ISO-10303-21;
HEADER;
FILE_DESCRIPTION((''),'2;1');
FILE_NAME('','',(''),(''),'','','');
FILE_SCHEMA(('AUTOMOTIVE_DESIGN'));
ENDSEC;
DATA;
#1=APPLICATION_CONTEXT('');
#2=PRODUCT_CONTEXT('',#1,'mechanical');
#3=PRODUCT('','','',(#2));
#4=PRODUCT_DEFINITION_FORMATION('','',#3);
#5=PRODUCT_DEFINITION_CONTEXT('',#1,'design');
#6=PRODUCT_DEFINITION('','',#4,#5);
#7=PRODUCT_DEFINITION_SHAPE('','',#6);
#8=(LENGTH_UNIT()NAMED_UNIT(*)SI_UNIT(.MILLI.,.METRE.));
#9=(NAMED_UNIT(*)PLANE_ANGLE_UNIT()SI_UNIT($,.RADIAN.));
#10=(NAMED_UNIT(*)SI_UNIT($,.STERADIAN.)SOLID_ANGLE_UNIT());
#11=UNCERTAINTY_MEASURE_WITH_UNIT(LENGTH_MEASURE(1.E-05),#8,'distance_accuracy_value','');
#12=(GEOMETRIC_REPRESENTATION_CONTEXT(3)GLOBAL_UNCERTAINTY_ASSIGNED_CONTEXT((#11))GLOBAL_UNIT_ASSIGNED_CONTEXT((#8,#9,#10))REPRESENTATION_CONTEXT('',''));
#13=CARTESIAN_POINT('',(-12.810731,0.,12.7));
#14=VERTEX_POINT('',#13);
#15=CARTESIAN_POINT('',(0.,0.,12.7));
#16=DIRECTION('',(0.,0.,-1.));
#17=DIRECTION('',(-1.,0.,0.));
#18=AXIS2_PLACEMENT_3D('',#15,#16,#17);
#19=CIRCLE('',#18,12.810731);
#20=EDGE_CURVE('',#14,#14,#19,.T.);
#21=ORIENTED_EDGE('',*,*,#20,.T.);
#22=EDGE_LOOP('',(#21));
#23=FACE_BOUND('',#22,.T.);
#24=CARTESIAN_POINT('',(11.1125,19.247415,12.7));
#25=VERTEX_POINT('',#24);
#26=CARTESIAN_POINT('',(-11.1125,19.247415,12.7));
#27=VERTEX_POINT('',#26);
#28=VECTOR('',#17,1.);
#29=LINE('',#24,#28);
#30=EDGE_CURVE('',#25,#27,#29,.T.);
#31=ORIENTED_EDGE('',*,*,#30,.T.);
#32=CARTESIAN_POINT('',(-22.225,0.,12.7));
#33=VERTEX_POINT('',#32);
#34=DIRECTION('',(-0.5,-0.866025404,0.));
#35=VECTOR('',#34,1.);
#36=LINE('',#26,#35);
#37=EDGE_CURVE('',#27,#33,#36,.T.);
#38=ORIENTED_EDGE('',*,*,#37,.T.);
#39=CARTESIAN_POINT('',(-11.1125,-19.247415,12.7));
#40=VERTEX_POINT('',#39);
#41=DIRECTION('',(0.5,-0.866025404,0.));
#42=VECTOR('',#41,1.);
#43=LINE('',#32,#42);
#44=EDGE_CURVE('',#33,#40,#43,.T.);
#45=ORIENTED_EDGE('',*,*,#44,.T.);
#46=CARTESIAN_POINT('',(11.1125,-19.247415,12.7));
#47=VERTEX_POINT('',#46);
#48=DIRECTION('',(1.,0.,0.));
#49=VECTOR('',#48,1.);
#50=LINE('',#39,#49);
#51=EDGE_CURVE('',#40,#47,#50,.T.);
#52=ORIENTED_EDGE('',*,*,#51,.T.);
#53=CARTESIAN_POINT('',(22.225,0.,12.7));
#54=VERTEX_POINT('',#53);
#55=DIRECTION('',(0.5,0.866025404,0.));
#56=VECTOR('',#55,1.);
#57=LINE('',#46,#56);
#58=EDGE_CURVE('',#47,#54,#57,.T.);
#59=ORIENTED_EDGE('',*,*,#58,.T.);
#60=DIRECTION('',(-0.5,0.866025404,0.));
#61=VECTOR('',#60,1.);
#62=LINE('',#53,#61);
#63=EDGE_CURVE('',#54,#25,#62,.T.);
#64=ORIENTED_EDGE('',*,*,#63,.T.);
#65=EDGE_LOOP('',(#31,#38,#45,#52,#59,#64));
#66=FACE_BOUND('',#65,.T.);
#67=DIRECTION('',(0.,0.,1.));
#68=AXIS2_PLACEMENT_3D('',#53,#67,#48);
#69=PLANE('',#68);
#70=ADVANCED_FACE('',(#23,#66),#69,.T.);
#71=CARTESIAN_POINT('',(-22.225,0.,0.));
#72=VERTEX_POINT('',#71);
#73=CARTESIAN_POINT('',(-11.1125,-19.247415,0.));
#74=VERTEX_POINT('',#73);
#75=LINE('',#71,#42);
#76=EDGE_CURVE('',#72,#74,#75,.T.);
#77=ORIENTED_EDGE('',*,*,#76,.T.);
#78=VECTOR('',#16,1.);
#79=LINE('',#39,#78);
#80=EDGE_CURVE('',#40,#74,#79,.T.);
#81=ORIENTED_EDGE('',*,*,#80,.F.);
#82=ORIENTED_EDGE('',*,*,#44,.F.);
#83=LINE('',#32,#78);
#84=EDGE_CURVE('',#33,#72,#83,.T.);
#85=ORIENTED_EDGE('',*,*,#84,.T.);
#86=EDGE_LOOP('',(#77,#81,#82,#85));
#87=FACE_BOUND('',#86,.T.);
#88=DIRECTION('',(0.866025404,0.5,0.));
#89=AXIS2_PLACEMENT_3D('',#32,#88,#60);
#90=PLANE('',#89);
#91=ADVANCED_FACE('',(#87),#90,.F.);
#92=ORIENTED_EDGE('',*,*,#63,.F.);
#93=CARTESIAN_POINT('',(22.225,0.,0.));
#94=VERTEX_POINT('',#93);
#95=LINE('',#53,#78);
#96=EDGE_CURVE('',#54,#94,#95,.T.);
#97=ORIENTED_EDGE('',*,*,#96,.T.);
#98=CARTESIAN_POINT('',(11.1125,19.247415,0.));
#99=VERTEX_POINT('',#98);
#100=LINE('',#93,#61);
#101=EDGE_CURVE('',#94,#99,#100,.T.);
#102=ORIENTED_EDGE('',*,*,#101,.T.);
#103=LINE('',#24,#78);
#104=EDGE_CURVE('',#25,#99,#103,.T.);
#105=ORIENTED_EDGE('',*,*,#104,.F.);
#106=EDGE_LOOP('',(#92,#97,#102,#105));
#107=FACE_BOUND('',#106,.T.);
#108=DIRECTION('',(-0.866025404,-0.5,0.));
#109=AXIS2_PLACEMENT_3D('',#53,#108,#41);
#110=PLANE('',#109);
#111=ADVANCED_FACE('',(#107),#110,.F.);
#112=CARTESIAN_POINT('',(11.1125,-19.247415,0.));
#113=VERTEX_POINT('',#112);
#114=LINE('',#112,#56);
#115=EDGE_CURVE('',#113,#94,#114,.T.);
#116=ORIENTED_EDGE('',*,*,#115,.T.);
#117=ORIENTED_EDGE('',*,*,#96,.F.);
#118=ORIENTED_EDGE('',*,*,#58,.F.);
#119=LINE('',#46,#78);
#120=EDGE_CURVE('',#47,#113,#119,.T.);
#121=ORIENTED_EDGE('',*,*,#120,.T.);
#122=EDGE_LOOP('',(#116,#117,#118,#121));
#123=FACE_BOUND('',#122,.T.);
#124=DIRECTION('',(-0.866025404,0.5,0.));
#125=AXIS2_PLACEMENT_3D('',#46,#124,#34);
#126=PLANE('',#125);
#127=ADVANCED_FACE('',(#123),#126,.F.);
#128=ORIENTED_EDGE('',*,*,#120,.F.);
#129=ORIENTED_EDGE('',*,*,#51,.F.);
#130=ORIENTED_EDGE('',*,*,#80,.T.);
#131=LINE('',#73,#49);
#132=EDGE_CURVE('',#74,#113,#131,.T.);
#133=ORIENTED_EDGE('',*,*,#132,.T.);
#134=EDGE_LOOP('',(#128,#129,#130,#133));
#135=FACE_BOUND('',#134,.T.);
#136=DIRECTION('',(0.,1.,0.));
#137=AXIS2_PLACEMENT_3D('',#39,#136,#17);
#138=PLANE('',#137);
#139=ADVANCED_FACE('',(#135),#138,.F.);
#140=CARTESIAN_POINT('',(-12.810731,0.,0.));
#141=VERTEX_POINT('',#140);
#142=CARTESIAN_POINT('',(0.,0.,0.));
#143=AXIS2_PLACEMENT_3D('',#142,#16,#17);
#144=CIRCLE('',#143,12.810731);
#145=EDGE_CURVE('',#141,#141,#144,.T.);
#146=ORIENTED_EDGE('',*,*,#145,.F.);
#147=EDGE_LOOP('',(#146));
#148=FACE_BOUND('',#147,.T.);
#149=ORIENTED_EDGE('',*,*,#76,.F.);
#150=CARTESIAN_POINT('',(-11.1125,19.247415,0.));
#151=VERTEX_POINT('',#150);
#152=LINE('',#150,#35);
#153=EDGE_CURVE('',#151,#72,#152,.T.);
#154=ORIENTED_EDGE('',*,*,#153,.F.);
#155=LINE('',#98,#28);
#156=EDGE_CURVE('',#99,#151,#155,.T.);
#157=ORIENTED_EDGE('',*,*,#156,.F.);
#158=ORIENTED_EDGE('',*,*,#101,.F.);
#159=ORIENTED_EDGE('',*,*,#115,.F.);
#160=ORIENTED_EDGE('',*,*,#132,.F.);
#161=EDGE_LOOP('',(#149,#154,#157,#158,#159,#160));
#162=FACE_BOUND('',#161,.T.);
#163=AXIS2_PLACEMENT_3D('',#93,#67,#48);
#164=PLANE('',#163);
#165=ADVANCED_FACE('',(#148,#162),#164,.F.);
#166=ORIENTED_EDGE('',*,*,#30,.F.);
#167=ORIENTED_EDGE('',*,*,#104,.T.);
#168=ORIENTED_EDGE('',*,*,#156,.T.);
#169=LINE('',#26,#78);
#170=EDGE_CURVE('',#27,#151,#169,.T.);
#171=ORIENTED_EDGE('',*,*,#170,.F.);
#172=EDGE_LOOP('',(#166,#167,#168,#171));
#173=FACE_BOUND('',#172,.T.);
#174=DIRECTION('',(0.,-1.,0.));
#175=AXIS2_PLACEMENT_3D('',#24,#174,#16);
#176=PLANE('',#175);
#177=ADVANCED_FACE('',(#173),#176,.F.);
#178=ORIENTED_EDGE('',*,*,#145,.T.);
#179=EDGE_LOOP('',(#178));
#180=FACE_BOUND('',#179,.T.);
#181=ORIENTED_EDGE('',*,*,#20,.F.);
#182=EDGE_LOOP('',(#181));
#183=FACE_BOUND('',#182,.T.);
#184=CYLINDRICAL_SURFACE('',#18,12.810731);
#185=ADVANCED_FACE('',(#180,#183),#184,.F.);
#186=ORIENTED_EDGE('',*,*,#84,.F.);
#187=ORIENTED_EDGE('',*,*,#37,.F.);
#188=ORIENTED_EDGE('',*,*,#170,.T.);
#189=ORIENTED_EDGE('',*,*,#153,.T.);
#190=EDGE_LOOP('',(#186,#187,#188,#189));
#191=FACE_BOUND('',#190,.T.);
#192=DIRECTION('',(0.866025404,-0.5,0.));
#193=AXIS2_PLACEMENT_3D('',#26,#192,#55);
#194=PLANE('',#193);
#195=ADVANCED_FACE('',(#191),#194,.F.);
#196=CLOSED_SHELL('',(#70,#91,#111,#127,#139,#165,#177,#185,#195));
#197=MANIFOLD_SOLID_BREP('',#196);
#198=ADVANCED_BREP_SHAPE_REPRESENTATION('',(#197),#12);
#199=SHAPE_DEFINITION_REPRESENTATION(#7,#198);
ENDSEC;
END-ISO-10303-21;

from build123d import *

# Parameters (mm, degrees)
BOSS_EXTRUDE1_DEPTH = 12.7
SKETCH2_R           = 12.810731211
CUT_EXTRUDE1_DEPTH  = 12.7


with BuildPart() as part:
    # Sketch1 → Boss-Extrude1 (new body)
    with BuildSketch(Plane.XY):
        Polygon((22.225, 0), (11.1125, 19.247414599), (-11.1125, 19.247414599), (-22.225, 0), (-11.1125, -19.247414599), (11.1125, -19.247414599), align=None)
    extrude(amount=BOSS_EXTRUDE1_DEPTH)

    # Sketch2 → Cut-Extrude1 (cut)
    with BuildSketch(Plane(origin=(0, 0, 0), x_dir=(-1, 0, 0), z_dir=(0, 0, -1))):
        Circle(SKETCH2_R)
    extrude(amount=-CUT_EXTRUDE1_DEPTH, mode=Mode.SUBTRACT)


solid = part.part
